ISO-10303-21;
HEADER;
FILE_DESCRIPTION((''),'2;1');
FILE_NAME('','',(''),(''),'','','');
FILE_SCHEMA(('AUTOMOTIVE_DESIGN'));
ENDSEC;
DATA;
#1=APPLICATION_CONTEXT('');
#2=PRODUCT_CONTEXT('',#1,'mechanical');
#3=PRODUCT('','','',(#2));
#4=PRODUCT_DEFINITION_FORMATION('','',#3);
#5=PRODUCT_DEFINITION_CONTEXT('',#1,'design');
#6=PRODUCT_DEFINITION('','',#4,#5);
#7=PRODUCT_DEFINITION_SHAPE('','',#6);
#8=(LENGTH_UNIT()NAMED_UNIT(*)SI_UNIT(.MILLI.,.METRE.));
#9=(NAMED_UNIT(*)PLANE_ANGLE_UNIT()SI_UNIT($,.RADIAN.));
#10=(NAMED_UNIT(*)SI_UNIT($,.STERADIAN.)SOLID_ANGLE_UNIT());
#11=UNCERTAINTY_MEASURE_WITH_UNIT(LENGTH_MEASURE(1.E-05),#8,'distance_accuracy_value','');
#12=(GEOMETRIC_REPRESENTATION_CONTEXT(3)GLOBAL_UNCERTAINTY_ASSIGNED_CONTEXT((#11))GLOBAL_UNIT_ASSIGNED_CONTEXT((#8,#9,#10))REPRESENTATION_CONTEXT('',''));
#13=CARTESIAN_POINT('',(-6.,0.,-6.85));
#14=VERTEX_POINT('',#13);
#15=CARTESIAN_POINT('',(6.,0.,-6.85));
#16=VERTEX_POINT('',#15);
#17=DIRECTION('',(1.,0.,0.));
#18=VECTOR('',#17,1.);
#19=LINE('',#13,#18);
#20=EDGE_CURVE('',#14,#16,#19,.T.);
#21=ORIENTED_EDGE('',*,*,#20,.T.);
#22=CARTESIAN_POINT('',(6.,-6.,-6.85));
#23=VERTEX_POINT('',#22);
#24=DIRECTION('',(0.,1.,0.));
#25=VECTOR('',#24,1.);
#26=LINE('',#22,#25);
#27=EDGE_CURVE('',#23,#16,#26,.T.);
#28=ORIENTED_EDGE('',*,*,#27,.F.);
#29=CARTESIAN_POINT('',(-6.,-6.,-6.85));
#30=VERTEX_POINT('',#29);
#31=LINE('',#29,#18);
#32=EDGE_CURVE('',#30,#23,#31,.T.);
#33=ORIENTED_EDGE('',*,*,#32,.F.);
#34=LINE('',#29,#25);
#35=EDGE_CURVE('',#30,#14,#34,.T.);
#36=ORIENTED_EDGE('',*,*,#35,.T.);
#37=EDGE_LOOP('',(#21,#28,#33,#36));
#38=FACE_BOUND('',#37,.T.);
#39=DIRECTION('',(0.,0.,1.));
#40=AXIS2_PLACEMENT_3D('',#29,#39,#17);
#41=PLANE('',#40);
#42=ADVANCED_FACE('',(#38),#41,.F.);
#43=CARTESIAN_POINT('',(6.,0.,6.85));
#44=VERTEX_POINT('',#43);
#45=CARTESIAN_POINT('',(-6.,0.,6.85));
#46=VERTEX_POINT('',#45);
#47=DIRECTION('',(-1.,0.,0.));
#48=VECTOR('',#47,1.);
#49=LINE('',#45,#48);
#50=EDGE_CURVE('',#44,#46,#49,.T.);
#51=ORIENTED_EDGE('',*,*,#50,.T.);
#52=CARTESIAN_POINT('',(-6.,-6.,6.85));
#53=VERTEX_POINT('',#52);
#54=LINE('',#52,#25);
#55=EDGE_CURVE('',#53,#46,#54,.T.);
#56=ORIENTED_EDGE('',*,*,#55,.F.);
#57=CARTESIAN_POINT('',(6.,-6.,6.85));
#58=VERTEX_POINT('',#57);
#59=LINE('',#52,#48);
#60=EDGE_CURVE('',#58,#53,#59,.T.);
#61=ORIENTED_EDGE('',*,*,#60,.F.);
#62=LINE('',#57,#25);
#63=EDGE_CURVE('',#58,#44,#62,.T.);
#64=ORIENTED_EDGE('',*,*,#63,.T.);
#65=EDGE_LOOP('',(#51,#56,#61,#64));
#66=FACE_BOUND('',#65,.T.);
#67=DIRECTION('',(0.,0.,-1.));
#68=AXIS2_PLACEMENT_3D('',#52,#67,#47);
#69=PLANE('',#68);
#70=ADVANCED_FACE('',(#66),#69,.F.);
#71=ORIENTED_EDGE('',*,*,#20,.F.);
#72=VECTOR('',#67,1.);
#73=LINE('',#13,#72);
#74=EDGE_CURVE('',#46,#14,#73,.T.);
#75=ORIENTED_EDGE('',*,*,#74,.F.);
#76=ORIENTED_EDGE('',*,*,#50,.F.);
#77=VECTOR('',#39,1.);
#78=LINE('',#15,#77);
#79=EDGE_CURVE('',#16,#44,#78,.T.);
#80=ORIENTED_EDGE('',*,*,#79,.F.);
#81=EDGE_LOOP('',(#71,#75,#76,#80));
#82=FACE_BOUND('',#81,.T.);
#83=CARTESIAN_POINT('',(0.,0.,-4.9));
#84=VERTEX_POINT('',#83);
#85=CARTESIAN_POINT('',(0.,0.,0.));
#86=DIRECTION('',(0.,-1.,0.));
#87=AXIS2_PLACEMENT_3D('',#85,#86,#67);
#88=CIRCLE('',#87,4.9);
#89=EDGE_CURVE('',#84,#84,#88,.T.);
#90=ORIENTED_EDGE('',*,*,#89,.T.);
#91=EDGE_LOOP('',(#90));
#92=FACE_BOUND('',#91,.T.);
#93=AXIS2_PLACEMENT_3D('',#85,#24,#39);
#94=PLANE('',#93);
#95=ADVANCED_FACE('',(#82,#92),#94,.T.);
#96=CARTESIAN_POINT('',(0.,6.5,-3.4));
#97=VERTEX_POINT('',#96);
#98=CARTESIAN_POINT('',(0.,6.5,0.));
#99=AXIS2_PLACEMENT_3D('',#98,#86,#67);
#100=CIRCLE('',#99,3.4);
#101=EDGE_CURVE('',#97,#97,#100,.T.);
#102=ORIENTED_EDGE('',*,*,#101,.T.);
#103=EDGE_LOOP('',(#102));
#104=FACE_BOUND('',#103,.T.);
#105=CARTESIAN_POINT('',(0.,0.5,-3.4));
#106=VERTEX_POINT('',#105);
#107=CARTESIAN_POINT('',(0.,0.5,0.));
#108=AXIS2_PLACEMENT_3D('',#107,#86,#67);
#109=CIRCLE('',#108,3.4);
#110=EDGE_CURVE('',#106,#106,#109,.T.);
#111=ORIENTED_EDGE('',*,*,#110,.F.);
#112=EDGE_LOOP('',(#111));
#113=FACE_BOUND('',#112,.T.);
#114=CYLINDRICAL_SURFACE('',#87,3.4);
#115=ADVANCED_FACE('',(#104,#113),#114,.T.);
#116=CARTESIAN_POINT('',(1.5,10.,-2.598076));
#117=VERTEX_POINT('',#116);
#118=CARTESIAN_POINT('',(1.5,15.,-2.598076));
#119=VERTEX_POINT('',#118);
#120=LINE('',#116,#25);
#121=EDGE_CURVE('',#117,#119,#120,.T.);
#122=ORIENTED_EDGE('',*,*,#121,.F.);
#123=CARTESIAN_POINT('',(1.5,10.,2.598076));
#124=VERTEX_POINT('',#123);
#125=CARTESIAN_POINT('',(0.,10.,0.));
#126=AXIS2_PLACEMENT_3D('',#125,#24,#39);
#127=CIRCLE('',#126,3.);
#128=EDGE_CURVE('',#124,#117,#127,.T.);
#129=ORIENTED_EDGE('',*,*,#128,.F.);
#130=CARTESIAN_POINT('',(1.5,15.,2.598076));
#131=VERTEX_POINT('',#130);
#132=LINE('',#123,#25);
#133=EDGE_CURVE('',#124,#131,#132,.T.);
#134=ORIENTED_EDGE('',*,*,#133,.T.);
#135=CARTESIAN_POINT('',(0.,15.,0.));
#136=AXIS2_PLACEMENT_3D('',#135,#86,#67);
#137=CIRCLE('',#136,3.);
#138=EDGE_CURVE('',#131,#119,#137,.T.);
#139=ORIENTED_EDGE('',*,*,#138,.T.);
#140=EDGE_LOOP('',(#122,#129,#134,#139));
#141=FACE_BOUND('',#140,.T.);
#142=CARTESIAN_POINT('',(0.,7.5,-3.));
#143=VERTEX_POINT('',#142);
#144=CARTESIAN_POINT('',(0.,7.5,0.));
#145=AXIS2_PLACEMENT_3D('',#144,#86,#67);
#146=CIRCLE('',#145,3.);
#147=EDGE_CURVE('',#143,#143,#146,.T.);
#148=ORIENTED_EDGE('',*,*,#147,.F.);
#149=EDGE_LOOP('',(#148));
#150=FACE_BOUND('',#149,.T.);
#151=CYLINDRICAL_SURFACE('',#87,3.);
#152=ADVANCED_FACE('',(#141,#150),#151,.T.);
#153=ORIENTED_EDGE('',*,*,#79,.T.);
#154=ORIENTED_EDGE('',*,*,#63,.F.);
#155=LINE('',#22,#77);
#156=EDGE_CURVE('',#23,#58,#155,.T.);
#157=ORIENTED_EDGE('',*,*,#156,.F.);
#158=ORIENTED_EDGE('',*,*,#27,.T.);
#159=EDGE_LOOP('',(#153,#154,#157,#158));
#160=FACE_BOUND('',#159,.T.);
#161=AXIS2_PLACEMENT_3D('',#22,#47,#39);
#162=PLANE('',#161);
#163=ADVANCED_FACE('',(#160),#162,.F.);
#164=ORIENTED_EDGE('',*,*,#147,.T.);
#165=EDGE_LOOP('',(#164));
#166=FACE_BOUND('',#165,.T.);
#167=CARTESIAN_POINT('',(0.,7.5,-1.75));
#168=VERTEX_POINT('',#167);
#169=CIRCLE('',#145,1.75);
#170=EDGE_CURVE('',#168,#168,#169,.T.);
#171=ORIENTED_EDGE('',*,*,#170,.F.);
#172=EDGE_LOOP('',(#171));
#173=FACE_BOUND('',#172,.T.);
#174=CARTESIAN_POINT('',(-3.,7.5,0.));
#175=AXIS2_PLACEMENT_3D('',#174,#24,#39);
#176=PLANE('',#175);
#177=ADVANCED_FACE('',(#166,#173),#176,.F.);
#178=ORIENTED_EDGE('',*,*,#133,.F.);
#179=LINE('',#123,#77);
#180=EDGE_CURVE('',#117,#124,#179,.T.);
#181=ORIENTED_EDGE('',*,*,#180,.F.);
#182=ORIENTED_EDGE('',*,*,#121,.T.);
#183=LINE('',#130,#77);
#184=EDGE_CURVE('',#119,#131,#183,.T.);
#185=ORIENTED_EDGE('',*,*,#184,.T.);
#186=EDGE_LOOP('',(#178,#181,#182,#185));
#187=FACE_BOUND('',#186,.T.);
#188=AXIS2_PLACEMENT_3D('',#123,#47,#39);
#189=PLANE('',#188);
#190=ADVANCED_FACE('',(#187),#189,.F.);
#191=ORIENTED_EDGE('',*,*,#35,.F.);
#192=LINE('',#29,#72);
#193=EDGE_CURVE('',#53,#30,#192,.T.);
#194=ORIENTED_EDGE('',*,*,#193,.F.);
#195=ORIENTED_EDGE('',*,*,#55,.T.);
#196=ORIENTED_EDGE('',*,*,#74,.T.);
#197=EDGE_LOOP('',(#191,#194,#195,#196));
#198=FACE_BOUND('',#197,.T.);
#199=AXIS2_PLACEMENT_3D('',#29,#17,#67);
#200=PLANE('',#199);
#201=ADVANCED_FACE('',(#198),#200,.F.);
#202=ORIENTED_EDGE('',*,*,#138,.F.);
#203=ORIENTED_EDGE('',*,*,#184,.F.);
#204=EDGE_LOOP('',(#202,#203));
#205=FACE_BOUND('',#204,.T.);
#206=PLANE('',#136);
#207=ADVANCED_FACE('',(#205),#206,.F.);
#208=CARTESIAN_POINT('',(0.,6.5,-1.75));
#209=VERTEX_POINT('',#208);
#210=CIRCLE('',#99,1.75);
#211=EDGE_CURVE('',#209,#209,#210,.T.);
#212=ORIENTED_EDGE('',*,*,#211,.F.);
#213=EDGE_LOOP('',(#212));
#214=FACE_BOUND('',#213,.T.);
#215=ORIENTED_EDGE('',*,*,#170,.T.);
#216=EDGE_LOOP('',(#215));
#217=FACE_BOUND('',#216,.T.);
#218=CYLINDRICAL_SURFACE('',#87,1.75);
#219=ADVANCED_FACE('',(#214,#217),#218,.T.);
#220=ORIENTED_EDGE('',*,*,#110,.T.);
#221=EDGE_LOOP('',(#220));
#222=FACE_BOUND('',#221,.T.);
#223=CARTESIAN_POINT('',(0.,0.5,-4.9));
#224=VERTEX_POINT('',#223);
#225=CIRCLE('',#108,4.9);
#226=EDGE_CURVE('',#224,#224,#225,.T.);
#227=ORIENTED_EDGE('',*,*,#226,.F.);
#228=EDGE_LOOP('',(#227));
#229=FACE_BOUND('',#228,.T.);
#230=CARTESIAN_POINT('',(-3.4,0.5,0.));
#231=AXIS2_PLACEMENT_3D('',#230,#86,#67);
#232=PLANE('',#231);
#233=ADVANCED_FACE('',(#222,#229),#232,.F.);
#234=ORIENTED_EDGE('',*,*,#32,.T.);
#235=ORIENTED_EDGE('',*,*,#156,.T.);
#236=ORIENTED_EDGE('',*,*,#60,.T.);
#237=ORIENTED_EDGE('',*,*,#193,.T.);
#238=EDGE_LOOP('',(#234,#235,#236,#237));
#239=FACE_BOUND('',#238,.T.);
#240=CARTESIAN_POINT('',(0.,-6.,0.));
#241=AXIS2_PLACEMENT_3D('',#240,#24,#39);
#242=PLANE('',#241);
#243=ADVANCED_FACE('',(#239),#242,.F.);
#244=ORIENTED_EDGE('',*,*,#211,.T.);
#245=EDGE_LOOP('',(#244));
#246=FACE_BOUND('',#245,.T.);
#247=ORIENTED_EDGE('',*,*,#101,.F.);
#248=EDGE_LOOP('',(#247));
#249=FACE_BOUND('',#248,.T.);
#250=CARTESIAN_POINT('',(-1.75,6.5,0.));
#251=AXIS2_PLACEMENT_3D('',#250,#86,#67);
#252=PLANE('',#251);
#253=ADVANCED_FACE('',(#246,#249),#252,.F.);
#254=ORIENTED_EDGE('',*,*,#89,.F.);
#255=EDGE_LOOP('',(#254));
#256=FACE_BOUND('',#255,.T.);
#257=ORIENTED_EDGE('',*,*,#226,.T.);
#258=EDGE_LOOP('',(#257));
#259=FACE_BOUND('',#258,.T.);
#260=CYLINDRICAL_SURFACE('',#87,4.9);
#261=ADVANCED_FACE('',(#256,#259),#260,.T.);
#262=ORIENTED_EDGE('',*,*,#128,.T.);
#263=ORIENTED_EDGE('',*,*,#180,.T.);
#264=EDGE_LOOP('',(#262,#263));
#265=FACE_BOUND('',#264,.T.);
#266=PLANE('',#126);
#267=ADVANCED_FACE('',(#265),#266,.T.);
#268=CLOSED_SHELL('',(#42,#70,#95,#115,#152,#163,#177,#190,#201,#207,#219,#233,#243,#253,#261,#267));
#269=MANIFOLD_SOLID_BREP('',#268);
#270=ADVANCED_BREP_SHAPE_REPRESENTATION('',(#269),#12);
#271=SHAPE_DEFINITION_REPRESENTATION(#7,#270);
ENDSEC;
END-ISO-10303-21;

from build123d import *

# Parameters (mm, degrees)
SKETCH2_W           = 3
SKETCH2_H           = 5.196152422
CUT_EXTRUDE1_DEPTH  = 5
SKETCH3_W           = 12
SKETCH3_H           = 13.7
BOSS_EXTRUDE1_DEPTH = 6


with BuildPart() as part:
    # Sketch1 → Revolve1 (revolve)
    with BuildSketch(Plane.XY, mode=Mode.PRIVATE) as revolve1_sk:
        Polygon((0, 15), (-3, 15), (-3, 7.5), (-1.75, 7.5), (-1.75, 6.5), (-3.4, 6.5), (-3.4, 0.5), (-4.9, 0.5), (-4.9, 0), (0, 0), align=None)
    revolve(revolve1_sk.sketch.rotate(Axis((0, 0, 0), (0, 1, 0)), 270), axis=Axis((0, 0, 0), (0, 1, 0)))

    # Sketch2 → Cut-Extrude1 (cut)
    with BuildSketch(Plane(origin=(0, 15, 0), x_dir=(1, 0, 0), z_dir=(0, 1, 0))):
        with Locations((3, 0)):
            Rectangle(SKETCH2_W, SKETCH2_H)
    extrude(amount=-CUT_EXTRUDE1_DEPTH, mode=Mode.SUBTRACT)

    # Sketch3 → Boss-Extrude1 (add)
    with BuildSketch(Plane(origin=(0, 0, 0), x_dir=(-1, 0, 0), z_dir=(0, -1, 0))):
        Rectangle(SKETCH3_W, SKETCH3_H)
    extrude(amount=BOSS_EXTRUDE1_DEPTH)


solid = part.part
